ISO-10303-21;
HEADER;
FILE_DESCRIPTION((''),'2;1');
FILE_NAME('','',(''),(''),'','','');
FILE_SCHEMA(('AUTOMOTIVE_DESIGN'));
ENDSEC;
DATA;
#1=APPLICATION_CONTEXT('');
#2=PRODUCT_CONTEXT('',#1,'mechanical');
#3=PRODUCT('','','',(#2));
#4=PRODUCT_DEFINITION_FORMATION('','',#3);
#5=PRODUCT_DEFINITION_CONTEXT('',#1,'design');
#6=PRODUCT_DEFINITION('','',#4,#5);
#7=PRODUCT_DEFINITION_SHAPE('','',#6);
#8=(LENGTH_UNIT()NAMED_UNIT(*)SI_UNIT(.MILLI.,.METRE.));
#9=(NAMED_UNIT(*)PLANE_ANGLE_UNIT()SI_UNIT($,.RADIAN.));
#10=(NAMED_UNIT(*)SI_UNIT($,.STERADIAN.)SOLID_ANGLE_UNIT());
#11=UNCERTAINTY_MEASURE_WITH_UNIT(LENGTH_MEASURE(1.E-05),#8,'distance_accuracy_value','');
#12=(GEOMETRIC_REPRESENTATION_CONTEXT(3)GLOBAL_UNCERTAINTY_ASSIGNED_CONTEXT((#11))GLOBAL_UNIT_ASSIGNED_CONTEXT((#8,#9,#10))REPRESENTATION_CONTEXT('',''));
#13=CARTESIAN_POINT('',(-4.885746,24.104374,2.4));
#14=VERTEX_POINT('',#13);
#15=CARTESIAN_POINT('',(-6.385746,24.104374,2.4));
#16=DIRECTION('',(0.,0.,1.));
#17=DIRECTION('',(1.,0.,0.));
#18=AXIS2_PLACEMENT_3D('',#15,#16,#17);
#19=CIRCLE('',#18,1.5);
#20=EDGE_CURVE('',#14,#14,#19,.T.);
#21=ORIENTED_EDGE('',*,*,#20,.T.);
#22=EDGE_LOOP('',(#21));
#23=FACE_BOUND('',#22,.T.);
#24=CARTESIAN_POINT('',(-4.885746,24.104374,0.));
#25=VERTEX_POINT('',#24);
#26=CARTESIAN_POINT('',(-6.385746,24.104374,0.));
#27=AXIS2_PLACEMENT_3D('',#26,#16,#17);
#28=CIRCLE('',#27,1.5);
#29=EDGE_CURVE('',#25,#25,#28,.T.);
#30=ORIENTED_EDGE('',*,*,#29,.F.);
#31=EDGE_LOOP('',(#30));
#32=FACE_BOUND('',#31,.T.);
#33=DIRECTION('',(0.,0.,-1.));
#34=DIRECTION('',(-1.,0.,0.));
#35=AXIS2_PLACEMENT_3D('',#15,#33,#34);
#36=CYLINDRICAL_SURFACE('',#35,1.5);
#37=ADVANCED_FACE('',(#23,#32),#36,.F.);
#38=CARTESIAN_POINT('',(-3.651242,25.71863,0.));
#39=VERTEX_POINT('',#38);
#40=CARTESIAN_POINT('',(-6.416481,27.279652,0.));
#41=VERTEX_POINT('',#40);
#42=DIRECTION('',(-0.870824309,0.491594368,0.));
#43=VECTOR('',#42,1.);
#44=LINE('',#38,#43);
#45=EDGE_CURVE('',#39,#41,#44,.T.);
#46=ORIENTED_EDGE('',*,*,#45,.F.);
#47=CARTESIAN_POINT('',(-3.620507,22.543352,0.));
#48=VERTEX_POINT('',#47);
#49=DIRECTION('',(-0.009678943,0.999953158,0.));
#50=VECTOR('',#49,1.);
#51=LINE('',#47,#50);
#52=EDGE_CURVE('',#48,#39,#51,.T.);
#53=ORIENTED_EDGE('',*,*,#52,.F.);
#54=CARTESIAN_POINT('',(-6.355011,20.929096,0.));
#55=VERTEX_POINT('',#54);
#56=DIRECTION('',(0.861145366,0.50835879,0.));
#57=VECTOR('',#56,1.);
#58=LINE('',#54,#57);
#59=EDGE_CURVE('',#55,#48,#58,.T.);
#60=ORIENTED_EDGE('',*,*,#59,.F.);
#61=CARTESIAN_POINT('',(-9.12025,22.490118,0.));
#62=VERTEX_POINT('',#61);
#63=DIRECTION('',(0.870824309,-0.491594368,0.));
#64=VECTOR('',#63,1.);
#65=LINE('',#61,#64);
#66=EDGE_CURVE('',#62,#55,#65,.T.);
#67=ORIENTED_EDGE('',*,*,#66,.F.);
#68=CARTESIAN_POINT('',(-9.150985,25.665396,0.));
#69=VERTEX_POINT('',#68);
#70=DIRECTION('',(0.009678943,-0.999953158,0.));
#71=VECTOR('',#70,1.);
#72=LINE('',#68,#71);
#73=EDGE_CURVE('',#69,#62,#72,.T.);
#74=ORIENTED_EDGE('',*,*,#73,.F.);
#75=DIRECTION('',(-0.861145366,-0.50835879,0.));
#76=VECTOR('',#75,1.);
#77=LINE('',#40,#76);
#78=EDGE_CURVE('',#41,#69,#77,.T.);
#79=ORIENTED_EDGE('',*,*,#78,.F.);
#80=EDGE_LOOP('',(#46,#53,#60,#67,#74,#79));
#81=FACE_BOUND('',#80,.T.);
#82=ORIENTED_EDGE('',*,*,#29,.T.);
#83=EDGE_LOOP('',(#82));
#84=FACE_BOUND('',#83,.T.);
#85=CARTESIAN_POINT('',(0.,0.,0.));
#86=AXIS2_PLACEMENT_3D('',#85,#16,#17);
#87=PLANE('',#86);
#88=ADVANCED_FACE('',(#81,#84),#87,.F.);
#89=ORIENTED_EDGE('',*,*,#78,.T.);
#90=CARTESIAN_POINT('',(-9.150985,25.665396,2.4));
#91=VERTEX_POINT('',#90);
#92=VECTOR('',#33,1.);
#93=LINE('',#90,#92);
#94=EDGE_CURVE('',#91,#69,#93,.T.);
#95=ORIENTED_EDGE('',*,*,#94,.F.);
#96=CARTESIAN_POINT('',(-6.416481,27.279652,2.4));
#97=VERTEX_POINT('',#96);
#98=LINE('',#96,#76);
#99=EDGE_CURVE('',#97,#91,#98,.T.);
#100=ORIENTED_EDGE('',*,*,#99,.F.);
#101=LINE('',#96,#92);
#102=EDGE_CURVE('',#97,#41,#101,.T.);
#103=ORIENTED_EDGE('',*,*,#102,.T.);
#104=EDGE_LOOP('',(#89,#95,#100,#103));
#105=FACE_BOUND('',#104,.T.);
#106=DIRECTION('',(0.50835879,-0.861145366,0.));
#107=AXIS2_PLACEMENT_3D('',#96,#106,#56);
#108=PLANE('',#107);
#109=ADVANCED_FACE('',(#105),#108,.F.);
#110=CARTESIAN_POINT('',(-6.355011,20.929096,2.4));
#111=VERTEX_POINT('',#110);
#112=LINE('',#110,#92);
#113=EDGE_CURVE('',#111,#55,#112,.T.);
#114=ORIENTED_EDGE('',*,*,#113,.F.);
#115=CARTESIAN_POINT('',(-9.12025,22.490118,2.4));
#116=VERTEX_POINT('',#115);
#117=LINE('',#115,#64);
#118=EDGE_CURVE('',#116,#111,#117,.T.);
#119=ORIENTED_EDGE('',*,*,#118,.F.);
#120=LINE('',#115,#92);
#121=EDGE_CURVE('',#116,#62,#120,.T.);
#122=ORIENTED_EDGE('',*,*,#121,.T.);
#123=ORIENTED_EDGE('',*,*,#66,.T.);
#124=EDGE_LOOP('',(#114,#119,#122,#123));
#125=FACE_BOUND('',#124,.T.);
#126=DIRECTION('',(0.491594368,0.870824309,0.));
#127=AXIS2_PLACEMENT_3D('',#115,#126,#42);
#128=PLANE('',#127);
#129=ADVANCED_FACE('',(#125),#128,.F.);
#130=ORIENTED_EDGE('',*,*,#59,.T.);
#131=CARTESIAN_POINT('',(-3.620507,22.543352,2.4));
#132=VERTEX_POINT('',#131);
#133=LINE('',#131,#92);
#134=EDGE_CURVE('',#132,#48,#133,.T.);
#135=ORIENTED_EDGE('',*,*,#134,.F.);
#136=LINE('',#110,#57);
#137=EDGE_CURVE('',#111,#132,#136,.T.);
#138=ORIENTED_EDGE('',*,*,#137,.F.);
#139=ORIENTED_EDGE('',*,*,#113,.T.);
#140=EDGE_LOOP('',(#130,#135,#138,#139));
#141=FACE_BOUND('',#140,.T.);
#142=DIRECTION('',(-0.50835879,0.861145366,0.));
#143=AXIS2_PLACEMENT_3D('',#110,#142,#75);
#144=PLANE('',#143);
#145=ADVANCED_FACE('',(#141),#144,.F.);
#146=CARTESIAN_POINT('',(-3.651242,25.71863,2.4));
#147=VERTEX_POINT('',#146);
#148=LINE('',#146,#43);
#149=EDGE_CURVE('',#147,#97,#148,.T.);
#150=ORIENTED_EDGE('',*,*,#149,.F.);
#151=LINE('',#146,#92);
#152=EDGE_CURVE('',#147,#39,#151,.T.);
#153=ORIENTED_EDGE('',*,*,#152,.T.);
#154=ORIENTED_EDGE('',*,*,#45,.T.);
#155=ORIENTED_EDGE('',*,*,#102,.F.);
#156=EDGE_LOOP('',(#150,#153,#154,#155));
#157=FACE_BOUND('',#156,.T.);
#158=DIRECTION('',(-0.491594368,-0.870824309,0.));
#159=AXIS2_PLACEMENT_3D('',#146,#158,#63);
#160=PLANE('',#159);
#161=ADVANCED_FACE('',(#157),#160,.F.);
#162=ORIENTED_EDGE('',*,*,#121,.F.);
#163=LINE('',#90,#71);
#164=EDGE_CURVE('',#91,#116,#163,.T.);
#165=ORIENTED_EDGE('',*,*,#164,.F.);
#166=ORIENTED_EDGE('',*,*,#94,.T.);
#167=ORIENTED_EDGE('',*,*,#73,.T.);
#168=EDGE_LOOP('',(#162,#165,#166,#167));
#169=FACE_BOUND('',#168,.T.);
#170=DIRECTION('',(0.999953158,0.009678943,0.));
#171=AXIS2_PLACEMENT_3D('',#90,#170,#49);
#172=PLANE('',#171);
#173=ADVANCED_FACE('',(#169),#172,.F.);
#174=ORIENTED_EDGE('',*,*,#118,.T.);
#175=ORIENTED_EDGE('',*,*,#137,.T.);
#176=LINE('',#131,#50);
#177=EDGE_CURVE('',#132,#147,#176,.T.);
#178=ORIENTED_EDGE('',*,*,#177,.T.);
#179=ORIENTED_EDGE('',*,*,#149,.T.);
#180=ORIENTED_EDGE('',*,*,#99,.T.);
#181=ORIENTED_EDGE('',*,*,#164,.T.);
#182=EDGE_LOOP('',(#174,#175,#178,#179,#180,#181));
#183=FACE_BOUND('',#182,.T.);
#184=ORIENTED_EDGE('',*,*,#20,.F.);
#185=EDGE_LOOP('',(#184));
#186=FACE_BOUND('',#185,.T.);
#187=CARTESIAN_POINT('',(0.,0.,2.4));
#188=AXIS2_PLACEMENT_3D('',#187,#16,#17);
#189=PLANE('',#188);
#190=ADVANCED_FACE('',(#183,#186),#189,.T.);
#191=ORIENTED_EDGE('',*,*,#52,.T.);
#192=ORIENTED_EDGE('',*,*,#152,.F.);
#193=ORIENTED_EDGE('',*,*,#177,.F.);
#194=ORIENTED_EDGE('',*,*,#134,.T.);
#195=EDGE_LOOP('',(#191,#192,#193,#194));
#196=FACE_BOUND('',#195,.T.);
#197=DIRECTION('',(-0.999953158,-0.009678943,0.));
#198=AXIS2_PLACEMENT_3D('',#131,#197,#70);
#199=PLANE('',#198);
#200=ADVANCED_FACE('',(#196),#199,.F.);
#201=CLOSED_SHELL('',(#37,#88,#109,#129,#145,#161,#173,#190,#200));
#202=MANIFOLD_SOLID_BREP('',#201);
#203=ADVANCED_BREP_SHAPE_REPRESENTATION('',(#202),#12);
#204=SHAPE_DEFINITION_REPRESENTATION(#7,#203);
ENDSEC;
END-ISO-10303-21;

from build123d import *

# Parameters (mm, degrees)
SKETCH_1_R      = 1.5
EXTRUDE_1_DEPTH = 2.4


with BuildPart() as part:
    # 草图1 → 凸台-拉伸1 (new body)
    with BuildSketch(Plane.XY):
        Polygon((-3.620507368, 22.543352329), (-3.651242141, 25.718630066), (-6.416480712, 27.27965184), (-9.15098451, 25.665395877), (-9.120249737, 22.49011814), (-6.355011166, 20.929096366), align=None)
        with Locations((-6.385745939, 24.104374103)):
            Circle(SKETCH_1_R, mode=Mode.SUBTRACT)
    extrude(amount=EXTRUDE_1_DEPTH)


solid = part.part
